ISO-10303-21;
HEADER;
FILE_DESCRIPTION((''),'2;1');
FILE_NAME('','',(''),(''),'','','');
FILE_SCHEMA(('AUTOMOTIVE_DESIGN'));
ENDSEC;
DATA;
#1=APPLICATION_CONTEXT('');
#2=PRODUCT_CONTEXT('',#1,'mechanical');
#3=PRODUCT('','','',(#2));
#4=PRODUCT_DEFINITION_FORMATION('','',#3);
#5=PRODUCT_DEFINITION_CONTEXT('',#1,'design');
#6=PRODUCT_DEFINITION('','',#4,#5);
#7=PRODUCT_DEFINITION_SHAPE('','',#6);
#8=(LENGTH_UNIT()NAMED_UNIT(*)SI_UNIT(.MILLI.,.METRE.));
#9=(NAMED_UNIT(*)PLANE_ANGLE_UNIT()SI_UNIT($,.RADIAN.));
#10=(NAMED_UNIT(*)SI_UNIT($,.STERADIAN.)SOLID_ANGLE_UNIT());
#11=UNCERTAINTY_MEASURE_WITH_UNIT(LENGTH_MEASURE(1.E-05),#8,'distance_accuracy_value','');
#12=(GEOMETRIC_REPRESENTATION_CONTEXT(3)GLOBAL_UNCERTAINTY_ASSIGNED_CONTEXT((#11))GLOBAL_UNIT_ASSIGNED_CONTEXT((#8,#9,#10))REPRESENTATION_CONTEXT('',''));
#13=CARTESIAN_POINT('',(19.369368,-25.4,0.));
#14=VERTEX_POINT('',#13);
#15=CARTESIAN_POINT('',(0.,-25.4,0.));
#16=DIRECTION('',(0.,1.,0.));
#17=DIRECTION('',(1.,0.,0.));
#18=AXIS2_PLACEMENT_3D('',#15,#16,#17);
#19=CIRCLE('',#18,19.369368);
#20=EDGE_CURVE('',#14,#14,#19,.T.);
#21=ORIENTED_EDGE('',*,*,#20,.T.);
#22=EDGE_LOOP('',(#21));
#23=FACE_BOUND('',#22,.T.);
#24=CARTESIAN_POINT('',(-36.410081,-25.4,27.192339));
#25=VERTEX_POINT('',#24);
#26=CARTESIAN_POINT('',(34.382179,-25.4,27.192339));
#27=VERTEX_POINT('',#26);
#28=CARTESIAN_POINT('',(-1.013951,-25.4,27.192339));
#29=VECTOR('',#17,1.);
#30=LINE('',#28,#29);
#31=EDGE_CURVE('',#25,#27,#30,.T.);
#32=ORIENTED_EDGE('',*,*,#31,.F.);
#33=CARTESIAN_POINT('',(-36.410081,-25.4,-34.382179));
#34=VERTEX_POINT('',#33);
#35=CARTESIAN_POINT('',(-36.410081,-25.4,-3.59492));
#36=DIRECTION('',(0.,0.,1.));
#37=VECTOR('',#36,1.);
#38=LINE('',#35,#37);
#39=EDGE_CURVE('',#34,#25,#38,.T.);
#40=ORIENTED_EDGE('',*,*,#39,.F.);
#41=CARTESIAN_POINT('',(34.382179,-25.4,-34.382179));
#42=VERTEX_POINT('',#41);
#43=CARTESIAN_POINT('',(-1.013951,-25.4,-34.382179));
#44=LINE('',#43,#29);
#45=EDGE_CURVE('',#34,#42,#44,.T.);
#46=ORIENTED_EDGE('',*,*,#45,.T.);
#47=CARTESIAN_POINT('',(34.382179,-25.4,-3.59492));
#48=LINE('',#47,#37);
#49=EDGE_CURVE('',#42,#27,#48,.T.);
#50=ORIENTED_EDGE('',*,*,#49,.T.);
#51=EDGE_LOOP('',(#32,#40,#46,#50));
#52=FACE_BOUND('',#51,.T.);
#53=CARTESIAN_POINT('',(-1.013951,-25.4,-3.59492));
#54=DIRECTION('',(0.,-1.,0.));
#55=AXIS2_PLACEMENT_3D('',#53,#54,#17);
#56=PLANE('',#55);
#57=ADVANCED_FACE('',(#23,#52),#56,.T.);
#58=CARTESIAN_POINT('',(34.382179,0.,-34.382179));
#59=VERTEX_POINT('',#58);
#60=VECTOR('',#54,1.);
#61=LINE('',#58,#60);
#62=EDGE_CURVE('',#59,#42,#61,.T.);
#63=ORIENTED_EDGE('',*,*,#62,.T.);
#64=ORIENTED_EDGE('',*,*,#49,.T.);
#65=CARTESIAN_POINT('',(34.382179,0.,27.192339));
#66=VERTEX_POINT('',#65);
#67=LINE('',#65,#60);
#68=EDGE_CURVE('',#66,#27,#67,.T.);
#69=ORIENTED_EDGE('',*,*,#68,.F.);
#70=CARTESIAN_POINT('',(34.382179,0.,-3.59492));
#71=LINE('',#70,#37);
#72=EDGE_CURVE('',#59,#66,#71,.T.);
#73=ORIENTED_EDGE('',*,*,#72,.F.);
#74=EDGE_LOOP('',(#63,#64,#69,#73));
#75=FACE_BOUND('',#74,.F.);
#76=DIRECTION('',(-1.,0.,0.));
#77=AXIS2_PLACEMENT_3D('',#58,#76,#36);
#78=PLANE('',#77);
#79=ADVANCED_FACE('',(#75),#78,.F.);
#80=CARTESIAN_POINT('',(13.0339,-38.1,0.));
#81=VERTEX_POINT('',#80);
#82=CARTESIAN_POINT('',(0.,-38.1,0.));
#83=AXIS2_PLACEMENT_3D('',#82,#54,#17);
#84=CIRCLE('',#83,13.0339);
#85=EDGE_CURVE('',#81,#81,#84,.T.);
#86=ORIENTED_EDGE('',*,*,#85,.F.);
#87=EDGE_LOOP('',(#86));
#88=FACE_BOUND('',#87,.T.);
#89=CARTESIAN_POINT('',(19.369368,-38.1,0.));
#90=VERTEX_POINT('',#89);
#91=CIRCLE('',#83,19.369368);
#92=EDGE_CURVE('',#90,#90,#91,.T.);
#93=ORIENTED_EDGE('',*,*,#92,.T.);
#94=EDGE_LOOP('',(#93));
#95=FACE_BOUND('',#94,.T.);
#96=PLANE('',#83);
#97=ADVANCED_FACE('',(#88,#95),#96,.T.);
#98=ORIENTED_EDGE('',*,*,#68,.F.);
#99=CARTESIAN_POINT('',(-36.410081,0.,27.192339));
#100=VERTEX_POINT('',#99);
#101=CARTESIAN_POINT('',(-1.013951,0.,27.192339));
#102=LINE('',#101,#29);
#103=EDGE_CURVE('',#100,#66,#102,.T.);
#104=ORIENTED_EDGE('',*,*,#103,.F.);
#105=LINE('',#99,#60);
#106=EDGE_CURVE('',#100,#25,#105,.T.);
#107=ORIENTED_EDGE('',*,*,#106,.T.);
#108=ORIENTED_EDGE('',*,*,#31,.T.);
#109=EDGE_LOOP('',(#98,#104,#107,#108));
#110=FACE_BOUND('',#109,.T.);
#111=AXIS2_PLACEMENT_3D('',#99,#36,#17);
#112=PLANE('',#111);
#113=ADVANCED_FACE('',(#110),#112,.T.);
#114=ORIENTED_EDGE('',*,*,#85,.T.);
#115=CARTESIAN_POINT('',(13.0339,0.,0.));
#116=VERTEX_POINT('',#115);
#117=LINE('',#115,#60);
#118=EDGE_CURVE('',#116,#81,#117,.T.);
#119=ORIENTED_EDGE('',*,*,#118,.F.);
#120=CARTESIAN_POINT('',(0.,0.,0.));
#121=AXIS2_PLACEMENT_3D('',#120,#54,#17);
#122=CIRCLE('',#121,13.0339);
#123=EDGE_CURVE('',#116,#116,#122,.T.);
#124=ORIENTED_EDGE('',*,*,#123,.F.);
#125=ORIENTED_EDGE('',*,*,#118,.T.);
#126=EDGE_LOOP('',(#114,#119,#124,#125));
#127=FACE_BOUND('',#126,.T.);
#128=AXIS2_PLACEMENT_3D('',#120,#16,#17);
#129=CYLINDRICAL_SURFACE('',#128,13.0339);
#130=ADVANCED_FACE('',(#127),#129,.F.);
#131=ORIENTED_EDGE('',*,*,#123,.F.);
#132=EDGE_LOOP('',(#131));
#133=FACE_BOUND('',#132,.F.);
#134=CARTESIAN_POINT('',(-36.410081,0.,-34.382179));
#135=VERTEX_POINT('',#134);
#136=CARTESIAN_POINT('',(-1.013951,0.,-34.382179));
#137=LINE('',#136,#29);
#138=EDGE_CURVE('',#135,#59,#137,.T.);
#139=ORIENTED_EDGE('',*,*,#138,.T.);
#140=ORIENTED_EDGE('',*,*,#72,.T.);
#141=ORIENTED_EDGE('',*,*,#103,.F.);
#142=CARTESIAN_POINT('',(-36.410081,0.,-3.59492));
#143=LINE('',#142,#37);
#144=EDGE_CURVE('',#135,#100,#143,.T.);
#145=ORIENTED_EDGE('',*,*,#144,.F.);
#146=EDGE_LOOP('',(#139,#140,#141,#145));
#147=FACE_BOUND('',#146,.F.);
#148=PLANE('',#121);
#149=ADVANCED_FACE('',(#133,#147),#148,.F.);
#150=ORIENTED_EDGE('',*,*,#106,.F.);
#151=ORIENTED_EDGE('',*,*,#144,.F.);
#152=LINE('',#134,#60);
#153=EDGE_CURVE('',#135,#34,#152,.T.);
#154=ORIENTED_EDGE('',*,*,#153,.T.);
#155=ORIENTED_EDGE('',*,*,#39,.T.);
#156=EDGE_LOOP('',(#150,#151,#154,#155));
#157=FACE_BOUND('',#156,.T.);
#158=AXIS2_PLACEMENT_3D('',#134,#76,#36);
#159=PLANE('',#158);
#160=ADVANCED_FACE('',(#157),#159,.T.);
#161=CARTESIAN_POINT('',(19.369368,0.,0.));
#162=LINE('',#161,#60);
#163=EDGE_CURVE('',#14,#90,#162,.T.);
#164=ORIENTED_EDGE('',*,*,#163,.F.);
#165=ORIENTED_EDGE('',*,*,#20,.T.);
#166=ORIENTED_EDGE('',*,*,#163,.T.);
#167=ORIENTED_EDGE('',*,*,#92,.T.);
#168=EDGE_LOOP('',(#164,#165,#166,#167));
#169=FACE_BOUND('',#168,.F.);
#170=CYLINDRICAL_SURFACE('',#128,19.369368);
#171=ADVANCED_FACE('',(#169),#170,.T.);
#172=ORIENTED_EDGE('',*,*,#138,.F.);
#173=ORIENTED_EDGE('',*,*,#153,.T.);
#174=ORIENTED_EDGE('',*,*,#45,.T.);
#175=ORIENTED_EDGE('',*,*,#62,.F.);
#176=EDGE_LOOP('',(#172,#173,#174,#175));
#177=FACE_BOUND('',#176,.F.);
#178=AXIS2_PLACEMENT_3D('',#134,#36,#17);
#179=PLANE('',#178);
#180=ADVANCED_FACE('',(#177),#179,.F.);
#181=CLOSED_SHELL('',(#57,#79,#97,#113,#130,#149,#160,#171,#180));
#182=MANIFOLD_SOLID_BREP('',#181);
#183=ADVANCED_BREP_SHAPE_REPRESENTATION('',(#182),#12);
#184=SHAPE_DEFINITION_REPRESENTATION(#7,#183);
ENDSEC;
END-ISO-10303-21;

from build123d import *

# Parameters (mm, degrees)
F0_W     = 70.792261
F0_H     = 61.574518
F1_DEPTH = 25.4
F2_R     = 19.369368
F3_DEPTH = 38.1
F4_R     = 13.0339
F5_DEPTH = 38.1


with BuildPart() as f1:
    # F0 (on Front) → F1 (new body)
    with BuildSketch(Plane.XZ):
        with Locations((-1.013951, -3.59492)):
            Rectangle(F0_W, F0_H)
    extrude(amount=F1_DEPTH)

    # F2 (on Front) → F3 (join)
    with BuildSketch(Plane.XZ):
        Circle(F2_R)
    extrude(amount=F3_DEPTH)

    # F4 (on Front) → F5 (cut)
    with BuildSketch(Plane.XZ):
        Circle(F4_R)
    extrude(amount=F5_DEPTH, mode=Mode.SUBTRACT)


solid = f1.part
